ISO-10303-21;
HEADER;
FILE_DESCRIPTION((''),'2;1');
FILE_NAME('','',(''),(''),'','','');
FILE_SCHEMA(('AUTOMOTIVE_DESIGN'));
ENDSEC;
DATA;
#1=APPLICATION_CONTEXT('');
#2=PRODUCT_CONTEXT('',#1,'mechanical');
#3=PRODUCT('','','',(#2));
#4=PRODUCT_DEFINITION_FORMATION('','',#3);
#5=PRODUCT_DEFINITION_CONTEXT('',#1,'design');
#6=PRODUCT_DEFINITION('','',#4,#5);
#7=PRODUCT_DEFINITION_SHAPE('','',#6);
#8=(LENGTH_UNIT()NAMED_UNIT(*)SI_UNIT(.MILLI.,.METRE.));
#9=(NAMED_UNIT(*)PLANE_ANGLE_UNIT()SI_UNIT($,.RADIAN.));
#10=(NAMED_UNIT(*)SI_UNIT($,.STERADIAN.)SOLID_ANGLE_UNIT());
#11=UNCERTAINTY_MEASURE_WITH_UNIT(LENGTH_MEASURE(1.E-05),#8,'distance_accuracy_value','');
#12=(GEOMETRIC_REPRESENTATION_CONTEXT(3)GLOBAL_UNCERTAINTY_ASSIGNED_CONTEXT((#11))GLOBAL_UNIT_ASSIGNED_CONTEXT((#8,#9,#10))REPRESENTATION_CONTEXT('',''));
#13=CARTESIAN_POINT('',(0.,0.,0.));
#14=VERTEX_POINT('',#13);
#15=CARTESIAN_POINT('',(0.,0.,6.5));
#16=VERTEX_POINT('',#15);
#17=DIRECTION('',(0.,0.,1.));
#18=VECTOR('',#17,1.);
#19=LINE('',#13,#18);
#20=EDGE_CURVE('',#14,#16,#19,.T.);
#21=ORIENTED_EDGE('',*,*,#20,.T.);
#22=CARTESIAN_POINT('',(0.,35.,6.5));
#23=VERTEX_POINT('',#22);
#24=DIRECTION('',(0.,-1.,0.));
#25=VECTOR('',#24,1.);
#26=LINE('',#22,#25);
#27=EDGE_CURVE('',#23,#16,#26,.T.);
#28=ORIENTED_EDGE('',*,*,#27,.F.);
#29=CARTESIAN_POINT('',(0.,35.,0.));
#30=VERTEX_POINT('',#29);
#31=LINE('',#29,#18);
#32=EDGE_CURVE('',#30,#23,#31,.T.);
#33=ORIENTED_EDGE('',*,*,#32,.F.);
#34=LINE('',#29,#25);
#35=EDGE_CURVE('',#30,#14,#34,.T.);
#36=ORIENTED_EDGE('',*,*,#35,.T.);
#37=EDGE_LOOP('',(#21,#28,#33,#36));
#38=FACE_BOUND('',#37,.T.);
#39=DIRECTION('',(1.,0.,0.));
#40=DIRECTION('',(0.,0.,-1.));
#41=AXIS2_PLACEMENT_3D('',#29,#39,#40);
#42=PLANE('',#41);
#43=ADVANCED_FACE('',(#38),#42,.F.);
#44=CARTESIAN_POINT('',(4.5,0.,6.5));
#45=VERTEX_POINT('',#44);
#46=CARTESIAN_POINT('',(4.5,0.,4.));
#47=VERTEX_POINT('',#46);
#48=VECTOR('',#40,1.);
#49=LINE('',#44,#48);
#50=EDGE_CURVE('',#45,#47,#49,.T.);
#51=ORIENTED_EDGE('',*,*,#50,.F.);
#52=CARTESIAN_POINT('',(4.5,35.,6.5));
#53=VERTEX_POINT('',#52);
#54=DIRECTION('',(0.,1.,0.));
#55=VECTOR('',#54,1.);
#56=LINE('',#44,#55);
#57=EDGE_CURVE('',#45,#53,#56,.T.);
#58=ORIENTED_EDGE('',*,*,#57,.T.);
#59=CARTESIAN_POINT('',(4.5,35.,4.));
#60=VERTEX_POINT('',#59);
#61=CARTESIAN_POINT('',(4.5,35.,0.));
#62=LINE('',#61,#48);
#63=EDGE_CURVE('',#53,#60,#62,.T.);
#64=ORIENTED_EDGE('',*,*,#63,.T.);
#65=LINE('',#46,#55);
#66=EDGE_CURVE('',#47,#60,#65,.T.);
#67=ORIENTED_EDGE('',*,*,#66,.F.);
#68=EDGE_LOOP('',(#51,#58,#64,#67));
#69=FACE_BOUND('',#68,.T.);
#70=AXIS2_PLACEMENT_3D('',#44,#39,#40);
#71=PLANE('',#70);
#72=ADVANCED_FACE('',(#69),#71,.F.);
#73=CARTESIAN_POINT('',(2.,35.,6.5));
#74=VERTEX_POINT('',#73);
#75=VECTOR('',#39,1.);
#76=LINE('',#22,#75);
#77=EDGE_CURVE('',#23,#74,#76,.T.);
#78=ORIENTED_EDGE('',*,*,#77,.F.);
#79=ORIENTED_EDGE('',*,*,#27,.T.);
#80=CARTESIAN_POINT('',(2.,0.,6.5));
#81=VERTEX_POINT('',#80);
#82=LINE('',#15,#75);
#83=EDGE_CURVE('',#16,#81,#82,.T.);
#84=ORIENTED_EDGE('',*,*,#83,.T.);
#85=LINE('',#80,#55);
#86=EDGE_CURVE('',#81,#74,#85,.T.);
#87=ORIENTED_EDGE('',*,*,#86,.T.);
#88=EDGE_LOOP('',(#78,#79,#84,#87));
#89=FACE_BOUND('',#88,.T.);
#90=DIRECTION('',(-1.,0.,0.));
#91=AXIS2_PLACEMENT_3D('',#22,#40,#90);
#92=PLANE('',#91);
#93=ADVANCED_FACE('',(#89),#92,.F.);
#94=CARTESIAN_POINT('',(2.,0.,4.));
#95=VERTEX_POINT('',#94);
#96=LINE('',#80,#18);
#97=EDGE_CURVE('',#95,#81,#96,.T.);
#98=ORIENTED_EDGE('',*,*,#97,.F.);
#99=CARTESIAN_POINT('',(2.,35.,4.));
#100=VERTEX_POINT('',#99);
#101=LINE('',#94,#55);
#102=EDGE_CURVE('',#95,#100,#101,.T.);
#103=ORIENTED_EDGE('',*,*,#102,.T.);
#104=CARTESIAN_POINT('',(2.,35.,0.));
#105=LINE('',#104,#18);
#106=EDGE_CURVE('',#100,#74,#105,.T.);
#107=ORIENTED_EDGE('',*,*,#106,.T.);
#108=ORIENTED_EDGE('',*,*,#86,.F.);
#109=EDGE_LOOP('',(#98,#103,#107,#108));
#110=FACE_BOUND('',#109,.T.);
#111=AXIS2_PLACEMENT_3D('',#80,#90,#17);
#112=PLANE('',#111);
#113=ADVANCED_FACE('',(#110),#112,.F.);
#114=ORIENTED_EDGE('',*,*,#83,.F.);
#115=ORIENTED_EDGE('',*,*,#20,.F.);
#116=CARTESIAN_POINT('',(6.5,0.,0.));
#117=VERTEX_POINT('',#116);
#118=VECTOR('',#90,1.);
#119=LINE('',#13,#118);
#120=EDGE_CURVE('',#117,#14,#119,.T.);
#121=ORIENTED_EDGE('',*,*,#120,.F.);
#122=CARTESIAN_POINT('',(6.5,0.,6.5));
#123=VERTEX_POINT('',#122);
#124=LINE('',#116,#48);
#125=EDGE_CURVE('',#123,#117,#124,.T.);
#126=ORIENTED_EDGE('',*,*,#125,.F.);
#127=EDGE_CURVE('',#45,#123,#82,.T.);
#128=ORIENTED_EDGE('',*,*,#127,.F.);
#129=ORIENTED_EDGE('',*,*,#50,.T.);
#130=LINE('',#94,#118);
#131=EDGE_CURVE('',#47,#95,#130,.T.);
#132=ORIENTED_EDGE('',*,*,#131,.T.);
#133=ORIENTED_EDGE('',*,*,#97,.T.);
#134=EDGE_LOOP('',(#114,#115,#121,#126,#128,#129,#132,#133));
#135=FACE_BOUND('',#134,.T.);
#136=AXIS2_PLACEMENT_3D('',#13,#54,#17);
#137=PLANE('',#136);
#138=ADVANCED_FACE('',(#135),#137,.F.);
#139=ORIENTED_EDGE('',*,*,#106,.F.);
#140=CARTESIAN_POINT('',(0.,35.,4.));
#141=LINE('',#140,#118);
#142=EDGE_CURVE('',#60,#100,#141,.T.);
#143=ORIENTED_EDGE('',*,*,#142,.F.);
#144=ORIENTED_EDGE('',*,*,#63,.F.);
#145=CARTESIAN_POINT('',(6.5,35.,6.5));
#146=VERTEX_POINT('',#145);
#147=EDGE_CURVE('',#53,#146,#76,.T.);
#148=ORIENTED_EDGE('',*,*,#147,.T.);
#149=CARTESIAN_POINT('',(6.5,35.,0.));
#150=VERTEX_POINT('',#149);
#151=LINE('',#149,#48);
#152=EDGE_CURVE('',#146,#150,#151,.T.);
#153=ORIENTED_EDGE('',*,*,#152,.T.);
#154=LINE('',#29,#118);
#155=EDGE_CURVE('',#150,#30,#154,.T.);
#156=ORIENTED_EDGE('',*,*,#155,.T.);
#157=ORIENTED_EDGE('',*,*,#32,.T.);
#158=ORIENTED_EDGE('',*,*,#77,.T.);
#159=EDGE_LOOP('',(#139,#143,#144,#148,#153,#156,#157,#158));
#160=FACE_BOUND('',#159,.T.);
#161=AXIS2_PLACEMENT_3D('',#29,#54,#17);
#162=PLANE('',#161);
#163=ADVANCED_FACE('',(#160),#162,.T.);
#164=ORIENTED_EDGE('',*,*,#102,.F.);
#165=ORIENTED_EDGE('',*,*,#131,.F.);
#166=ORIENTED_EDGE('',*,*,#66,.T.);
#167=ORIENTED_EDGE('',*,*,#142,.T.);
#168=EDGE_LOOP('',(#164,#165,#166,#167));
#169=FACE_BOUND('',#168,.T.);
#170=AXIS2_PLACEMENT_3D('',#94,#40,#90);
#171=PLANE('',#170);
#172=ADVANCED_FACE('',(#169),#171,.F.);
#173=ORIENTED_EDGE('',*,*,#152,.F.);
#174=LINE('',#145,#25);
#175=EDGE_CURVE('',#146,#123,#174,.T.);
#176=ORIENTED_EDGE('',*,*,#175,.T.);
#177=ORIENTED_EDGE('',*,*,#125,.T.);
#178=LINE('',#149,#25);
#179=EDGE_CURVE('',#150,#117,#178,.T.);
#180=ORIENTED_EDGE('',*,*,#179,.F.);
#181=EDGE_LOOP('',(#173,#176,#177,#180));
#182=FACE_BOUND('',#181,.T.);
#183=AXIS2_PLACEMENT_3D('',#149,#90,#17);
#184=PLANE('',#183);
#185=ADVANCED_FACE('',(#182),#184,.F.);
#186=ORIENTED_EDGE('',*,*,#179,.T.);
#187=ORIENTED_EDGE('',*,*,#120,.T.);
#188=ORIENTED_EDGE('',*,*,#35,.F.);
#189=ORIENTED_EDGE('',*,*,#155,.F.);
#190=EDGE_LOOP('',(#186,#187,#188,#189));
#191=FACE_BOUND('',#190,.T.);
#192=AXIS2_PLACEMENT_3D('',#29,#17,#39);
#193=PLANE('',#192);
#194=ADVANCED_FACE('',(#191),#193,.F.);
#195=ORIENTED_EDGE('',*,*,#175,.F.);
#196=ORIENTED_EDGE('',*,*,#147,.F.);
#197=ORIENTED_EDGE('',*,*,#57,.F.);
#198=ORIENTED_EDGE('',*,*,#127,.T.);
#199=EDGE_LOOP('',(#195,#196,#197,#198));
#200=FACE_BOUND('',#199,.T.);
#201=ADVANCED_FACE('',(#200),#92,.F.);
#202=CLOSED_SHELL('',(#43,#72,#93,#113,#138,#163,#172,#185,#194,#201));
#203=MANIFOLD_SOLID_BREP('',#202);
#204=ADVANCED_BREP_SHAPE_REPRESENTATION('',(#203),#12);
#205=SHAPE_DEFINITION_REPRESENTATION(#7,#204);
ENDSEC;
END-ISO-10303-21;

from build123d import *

# Parameters (mm, degrees)
SKETCH1_W               = 6.5
SKETCH1_H               = 6.5
BOSS_EXTRUDE1_DEPTH     = 35
CUT_EXTRUDE1_DEPTH      = 37.187014245
CUT_EXTRUDE1_DEPTH_BACK = 37.187014245
SKETCH2_W               = 2.5
SKETCH2_H               = 2.5


with BuildPart() as part:
    # Sketch1 → Boss-Extrude1 (new body)
    with BuildSketch(Plane(origin=(0, 0, 0), x_dir=(1, 0, 0), z_dir=(0, 1, 0))):
        with Locations((3.25, -3.25)):
            Rectangle(SKETCH1_W, SKETCH1_H)
    extrude(amount=BOSS_EXTRUDE1_DEPTH)

    # Sketch2 → Cut-Extrude1 (cut, two sides: drawn at the far end of the back side and taken through both)
    with BuildSketch(Plane(origin=(0, 35, 0), x_dir=(1, 0, 0), z_dir=(0, 1, 0)).offset(-CUT_EXTRUDE1_DEPTH_BACK)):
        with Locations((3.25, -5.25)):
            Rectangle(SKETCH2_W, SKETCH2_H)
    extrude(amount=CUT_EXTRUDE1_DEPTH + CUT_EXTRUDE1_DEPTH_BACK, mode=Mode.SUBTRACT)


solid = part.part
